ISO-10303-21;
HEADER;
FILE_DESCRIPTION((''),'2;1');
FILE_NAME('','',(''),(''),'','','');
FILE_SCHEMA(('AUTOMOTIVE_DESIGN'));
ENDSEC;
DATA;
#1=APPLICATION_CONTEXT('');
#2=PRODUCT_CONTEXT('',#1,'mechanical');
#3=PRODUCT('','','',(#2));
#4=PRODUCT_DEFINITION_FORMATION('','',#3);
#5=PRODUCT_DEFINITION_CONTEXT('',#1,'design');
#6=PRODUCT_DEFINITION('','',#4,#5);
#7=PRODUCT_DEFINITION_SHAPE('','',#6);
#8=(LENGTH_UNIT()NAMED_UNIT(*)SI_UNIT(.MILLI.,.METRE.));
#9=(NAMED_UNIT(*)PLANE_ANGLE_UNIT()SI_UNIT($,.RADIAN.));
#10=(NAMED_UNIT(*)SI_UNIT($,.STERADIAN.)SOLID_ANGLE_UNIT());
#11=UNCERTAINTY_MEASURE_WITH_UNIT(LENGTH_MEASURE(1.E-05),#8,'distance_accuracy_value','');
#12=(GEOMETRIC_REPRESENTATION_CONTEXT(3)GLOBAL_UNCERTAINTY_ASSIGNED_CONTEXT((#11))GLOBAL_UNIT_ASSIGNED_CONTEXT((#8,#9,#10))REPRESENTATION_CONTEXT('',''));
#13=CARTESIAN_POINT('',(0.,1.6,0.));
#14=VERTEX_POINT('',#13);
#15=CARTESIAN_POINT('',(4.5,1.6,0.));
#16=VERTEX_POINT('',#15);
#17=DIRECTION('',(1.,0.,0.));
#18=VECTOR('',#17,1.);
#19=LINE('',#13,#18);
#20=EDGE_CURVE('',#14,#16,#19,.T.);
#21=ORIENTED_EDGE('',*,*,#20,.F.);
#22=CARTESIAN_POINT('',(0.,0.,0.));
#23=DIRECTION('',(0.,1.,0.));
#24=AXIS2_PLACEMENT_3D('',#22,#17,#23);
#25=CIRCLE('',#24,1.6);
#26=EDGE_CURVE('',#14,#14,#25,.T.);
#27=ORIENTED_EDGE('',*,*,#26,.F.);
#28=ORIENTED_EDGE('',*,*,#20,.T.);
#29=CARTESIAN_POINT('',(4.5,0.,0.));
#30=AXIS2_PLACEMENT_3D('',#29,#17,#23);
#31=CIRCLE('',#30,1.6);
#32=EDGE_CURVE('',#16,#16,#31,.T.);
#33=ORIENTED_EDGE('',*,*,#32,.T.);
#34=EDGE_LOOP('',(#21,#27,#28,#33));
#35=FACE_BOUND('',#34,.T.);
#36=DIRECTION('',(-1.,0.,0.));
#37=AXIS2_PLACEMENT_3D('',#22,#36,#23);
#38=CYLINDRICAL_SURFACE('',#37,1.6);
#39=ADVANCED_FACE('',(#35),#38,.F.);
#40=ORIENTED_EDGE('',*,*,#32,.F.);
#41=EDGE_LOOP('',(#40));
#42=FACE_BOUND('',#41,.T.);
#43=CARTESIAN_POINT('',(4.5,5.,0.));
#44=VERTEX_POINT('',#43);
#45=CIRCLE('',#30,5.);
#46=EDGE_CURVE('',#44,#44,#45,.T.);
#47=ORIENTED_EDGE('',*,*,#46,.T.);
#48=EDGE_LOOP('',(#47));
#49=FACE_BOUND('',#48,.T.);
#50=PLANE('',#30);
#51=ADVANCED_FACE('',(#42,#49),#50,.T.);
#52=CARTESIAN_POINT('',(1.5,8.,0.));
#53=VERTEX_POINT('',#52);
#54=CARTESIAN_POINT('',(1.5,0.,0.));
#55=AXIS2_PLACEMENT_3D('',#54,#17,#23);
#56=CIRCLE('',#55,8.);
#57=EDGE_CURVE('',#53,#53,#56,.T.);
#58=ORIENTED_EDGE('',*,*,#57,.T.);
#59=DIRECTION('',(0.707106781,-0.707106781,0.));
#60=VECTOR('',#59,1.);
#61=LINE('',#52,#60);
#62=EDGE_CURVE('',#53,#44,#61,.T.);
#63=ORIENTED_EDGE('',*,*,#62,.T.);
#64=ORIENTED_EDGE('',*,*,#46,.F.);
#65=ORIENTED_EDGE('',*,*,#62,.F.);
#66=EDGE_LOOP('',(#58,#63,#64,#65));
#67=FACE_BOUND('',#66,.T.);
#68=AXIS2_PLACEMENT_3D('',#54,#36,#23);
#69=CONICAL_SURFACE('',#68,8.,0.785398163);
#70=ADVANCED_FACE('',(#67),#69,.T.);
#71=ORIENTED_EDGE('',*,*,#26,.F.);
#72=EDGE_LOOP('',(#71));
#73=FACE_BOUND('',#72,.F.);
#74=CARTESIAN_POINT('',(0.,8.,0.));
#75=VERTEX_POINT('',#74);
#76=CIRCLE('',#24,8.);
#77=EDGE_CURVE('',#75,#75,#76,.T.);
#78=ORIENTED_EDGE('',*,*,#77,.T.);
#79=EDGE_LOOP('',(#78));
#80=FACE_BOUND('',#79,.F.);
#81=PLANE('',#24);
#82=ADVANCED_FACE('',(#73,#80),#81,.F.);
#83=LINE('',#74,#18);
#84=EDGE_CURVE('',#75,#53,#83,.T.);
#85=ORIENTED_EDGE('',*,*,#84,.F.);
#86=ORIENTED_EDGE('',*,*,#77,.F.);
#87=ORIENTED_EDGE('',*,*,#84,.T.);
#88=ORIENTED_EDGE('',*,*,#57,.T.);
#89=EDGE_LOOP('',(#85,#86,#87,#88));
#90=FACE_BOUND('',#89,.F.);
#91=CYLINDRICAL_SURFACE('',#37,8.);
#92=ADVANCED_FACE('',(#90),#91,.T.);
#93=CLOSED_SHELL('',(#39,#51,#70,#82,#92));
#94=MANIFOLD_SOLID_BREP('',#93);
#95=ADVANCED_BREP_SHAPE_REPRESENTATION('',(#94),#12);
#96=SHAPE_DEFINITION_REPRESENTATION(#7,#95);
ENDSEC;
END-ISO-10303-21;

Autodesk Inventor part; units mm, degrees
ref_plane "YZ Plane" through (0, 0, 0) normal (1, 0, 0) x (0, 1, 0)
ref_plane "XZ Plane" through (0, 0, 0) normal (0, 1, 0) x (-1, 0, 0)
ref_plane "XY Plane" through (0, 0, 0) normal (0, 0, 1) x (1, 0, 0)
sketch "スケッチ1" plane through (0, 0, 0) normal (1, 0, 0) x (0, 1, 0)
  circle A0 centre (0, 0) radius 1.6
  circle A1 centre (0, 0) radius 8
  dimension "d0" = 3.2
  dimension "d1" = 16
extrude "押し出し1" add sketch "スケッチ1" along normal blind 4.5
chamfer "面取り1" distance 3 angle 45 1 edges at (4.5, -8, 0)
properties part number "cover"
